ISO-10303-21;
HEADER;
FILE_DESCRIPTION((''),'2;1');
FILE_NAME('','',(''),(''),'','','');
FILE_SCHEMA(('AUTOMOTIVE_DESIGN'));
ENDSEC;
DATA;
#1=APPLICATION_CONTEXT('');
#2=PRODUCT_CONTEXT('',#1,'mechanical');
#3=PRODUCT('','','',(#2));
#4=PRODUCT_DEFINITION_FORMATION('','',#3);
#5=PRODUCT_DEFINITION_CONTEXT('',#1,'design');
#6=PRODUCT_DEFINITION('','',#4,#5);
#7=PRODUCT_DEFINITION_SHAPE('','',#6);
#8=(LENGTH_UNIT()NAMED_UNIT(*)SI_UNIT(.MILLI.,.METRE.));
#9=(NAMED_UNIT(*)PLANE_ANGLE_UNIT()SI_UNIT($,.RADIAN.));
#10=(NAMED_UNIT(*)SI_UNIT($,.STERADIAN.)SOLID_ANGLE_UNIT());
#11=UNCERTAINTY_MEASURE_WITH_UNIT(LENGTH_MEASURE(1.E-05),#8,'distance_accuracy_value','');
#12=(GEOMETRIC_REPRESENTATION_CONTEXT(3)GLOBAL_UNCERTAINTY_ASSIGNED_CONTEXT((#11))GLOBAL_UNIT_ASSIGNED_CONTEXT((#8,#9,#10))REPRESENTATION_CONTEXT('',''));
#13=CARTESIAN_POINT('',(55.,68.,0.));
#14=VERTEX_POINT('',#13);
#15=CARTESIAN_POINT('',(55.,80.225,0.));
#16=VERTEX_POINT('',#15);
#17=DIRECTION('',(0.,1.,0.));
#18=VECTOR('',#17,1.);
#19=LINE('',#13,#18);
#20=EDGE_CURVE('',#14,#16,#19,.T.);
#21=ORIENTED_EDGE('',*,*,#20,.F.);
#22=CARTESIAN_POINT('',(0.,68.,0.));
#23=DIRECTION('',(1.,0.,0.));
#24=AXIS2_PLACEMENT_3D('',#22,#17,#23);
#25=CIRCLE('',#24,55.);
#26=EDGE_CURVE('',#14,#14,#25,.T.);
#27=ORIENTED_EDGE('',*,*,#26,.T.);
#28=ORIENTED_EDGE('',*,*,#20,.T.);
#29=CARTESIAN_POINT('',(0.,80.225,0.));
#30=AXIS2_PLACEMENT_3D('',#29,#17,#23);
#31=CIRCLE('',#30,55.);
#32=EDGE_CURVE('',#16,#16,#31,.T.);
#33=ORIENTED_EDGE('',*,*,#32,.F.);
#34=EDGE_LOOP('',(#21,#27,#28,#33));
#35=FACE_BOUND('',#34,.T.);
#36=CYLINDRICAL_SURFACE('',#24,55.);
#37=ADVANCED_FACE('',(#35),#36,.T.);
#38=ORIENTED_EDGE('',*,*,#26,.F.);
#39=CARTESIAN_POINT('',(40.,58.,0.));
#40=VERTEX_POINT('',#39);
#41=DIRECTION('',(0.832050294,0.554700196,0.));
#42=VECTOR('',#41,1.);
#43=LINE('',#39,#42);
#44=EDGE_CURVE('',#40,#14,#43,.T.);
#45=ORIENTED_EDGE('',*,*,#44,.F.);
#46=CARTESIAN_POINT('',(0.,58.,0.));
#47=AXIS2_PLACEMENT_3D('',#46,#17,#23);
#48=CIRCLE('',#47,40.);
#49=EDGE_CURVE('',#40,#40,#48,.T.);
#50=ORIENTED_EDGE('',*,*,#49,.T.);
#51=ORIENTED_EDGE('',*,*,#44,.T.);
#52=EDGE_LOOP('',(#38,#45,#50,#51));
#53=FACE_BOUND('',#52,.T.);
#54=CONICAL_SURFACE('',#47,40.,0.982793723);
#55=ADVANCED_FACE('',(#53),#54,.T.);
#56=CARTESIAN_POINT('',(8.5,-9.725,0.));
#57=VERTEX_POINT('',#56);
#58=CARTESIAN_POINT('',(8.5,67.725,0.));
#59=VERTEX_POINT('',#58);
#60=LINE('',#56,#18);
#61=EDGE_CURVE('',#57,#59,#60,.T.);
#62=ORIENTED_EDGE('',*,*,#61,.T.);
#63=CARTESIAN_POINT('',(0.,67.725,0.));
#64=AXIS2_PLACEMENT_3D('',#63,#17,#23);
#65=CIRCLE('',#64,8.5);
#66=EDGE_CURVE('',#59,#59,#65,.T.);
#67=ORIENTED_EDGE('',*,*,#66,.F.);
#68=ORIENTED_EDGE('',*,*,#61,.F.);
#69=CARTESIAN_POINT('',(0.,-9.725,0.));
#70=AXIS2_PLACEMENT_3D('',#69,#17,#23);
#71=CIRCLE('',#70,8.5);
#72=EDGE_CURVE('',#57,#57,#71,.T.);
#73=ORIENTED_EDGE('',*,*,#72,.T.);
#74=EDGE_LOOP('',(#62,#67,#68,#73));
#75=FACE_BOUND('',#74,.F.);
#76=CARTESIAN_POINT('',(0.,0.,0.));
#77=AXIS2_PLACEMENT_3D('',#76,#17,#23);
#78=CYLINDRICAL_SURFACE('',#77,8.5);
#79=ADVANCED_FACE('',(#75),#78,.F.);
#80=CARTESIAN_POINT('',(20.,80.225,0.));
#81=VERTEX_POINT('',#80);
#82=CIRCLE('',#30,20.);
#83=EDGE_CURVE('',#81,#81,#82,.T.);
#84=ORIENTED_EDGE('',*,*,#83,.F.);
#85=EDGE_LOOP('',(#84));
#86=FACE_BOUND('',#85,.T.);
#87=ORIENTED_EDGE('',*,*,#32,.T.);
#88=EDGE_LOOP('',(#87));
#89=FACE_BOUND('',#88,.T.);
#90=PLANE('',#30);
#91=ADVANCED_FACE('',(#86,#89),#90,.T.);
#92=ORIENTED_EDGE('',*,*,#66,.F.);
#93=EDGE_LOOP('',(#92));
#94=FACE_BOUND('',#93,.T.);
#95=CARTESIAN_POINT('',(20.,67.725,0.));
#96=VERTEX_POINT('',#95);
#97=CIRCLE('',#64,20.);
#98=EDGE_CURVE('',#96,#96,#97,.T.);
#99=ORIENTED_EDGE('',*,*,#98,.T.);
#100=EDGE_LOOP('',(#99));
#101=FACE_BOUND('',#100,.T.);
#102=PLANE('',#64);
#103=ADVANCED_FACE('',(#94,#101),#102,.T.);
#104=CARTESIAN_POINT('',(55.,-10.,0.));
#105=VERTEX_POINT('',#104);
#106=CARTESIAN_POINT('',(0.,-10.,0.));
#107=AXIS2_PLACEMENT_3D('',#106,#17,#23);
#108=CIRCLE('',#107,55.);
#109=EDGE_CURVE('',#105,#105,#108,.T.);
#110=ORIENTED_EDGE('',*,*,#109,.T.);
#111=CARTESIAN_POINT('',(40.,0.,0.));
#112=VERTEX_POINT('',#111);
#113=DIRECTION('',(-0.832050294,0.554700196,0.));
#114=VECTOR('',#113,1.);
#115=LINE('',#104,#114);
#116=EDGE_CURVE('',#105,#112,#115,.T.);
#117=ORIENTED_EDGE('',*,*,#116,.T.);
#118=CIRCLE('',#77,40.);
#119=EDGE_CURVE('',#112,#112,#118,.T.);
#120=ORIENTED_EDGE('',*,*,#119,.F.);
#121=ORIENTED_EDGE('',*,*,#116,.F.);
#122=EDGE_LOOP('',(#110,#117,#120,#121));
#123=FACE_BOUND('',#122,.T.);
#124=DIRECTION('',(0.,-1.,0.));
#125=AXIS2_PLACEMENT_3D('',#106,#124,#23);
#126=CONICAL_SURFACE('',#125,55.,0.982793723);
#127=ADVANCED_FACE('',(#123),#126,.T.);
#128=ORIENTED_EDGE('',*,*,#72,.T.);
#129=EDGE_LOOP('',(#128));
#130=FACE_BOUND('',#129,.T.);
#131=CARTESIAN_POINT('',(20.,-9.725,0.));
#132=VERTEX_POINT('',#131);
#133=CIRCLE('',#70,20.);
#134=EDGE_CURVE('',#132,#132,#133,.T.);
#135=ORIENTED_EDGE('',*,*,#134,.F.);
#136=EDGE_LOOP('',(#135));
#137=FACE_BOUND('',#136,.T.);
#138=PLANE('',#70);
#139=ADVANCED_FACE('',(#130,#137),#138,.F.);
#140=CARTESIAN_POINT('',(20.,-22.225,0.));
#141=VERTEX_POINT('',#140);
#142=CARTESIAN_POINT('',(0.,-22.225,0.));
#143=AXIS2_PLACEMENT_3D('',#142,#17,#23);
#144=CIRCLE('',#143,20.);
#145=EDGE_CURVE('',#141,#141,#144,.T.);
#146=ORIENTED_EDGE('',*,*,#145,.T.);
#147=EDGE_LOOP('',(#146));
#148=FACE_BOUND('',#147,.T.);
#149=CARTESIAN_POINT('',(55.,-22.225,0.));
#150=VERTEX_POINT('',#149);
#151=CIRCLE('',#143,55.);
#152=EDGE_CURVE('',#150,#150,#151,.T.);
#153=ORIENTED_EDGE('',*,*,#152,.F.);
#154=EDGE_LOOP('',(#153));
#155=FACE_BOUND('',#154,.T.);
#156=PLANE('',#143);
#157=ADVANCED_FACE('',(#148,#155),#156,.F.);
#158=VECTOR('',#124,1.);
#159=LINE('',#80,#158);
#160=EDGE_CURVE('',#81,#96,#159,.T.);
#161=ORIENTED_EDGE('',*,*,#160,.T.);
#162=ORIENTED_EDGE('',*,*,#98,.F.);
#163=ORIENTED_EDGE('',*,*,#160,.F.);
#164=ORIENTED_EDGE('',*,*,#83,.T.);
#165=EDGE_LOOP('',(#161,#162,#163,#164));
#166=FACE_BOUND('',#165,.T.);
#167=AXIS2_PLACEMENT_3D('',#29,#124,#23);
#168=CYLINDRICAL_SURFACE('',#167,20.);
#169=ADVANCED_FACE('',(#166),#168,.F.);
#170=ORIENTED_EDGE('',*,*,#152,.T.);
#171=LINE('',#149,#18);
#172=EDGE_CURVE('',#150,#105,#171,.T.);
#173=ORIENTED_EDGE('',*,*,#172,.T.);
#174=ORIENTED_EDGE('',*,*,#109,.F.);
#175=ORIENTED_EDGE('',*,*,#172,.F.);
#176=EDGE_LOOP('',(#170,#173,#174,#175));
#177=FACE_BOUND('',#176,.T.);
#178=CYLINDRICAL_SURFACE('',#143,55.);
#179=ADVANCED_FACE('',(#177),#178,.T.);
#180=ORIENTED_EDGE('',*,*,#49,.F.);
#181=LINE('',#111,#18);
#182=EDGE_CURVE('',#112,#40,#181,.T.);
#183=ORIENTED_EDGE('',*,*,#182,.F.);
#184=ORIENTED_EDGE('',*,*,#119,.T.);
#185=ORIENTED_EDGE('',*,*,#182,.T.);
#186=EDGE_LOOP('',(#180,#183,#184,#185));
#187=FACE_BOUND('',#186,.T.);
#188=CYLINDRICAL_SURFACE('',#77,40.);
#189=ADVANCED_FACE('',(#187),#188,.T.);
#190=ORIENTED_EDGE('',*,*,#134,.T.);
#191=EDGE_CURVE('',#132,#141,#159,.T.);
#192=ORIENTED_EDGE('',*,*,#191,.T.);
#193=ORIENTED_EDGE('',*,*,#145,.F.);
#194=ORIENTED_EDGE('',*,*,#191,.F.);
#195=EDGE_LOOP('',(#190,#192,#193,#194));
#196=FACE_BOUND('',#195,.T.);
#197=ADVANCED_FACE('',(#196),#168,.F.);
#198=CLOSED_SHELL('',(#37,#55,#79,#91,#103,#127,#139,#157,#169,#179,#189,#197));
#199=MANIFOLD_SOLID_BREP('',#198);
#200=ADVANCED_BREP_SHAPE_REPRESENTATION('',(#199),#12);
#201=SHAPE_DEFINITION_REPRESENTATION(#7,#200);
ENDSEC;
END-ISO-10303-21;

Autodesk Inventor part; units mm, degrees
ref_plane "YZ Plane" through (0, 0, 0) normal (1, 0, 0) x (0, 1, 0)
ref_plane "XZ Plane" through (0, 0, 0) normal (0, 1, 0) x (-1, 0, 0)
ref_plane "XY Plane" through (0, 0, 0) normal (0, 0, 1) x (1, 0, 0)
sketch "Sketch1" plane through (0, 0, 0) normal (0, 0, 1) x (1, 0, 0)
  line L0 (0, 0) -> (0, 58)
  line L1 (0, 58) -> (20, 58)
  line L2 (20, 58) -> (20, 0)
  line L3 (20, 0) -> (0, 0)
  line L4 (40, 0) -> (40, 58)
  line L5 (40, 58) -> (55, 68)
  line L6 (55, 68) -> (55, 80.225)
  line L7 (55, 80.225) -> (20, 80.225)
  line L8 (20, 80.225) -> (20, -22.225)
  line L9 (20, -22.225) -> (55, -22.225)
  line L10 (55, -22.225) -> (55, -10)
  line L11 (55, -10) -> (40, 0)
  line L12 (20, 0) -> (8.5, 0)
  line L13 (8.5, 0) -> (8.5, 58)
  line L14 (8.5, 58) -> (20, 58)
  line L15 (20, 58) -> (20, 0)
  line L16 (8.5, -9.725) -> (20, -9.725)
  line L17 (20, -9.725) -> (20, 67.725)
  line L18 (20, 67.725) -> (8.5, 67.725)
  line L19 (8.5, 67.725) -> (8.5, -9.725)
  dimension "d0" = 58
  dimension "d1" = 20
  dimension "d9" = 12.225
  dimension "d10" = 10
  dimension "d14" = 8.5
  dimension "d15" = 102.45
  dimension "d16" = 77.45
  dimension "d17" = 12.5
  dimension "d18" = 35
  dimension "d19" = 40
  dimension "d20" = 35
  dimension "d21" = 12.225
  dimension "d22" = 10
revolve "Revolution1" add sketch "Sketch1" angle 360 about axis through (0, 0, 0) along (0, 1, 0) contours L13 L1 L2 L3 | L3 L8 L16 L19 | L19 L18 L8 L1 | L2 L8 L7 L6 L5 L4 L11 L10 L9
ref_plane "Work Plane1" through (0, 29, 0) normal (0, -1, 0) x (1, 0, 0)
equation "\"d9\" = d5"
equation "\"d10\" = d7"
equation "\"d17\" = -0.5 * d16 + 0.5 * d15"
equation "\"d20\" = d18"
equation "\"d21\" = d9"
equation "\"d5\" = 12.225"
equation "\"d7\" = 10"
properties part number "1219_Middle Roller_V1" material "Wood (Maple)"
